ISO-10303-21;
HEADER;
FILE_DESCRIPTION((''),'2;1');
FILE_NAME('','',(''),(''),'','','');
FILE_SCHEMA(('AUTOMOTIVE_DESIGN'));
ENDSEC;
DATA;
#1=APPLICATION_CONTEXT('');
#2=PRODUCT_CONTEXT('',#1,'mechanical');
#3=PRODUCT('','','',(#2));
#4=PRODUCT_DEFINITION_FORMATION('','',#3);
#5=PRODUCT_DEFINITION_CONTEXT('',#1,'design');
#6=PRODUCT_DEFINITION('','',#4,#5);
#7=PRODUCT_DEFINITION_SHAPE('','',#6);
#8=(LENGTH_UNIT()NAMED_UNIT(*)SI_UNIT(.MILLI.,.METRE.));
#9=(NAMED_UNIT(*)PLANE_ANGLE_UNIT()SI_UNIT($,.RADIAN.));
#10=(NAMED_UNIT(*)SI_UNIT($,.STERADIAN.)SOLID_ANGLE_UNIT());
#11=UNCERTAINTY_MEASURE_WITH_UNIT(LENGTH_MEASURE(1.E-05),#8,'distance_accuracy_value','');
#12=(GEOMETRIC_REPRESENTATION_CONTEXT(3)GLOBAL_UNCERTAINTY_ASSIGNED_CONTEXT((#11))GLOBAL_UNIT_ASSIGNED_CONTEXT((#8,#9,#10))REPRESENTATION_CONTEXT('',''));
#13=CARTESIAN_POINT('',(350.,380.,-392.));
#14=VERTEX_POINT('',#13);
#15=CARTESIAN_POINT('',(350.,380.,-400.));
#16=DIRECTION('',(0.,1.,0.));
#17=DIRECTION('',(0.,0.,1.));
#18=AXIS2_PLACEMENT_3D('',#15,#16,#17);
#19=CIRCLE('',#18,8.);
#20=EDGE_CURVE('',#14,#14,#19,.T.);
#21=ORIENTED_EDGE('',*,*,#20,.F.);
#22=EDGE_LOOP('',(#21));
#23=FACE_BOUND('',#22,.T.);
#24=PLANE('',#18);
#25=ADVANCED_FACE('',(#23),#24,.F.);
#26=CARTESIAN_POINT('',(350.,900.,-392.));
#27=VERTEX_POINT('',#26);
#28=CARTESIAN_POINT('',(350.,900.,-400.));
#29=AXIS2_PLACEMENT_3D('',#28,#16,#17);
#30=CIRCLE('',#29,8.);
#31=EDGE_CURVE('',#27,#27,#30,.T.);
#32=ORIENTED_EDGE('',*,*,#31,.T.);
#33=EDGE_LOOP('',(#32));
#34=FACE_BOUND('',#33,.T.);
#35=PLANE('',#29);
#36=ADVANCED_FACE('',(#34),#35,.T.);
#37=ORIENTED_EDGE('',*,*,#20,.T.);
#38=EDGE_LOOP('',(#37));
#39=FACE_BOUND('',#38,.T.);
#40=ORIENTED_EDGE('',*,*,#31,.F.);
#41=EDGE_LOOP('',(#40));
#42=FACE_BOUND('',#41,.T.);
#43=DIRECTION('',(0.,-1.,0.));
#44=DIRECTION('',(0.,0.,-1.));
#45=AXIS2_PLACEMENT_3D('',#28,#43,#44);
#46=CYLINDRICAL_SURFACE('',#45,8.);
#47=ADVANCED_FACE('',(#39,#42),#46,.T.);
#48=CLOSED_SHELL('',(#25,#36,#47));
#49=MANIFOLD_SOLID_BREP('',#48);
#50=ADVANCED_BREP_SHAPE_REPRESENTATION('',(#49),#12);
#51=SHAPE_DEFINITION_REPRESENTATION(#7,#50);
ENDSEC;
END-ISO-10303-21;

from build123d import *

# Parameters (mm, degrees)
PACK_BILYALI_VIDA_1605_START = 380
SKETCH1_R                    = 8
PACK_BILYALI_VIDA_1605_DEPTH = 520


with BuildPart() as part:
    # Sketch1 → PACK_bilyali_vida_1605 (new body)
    with BuildSketch(Plane(origin=(0, 0, 0), x_dir=(1, 0, 0), z_dir=(0, 1, 0)).offset(PACK_BILYALI_VIDA_1605_START)):
        with Locations(Location((350, 400, 0), (0, 0, 270))):
            Circle(SKETCH1_R)
    extrude(amount=PACK_BILYALI_VIDA_1605_DEPTH)


solid = part.part
